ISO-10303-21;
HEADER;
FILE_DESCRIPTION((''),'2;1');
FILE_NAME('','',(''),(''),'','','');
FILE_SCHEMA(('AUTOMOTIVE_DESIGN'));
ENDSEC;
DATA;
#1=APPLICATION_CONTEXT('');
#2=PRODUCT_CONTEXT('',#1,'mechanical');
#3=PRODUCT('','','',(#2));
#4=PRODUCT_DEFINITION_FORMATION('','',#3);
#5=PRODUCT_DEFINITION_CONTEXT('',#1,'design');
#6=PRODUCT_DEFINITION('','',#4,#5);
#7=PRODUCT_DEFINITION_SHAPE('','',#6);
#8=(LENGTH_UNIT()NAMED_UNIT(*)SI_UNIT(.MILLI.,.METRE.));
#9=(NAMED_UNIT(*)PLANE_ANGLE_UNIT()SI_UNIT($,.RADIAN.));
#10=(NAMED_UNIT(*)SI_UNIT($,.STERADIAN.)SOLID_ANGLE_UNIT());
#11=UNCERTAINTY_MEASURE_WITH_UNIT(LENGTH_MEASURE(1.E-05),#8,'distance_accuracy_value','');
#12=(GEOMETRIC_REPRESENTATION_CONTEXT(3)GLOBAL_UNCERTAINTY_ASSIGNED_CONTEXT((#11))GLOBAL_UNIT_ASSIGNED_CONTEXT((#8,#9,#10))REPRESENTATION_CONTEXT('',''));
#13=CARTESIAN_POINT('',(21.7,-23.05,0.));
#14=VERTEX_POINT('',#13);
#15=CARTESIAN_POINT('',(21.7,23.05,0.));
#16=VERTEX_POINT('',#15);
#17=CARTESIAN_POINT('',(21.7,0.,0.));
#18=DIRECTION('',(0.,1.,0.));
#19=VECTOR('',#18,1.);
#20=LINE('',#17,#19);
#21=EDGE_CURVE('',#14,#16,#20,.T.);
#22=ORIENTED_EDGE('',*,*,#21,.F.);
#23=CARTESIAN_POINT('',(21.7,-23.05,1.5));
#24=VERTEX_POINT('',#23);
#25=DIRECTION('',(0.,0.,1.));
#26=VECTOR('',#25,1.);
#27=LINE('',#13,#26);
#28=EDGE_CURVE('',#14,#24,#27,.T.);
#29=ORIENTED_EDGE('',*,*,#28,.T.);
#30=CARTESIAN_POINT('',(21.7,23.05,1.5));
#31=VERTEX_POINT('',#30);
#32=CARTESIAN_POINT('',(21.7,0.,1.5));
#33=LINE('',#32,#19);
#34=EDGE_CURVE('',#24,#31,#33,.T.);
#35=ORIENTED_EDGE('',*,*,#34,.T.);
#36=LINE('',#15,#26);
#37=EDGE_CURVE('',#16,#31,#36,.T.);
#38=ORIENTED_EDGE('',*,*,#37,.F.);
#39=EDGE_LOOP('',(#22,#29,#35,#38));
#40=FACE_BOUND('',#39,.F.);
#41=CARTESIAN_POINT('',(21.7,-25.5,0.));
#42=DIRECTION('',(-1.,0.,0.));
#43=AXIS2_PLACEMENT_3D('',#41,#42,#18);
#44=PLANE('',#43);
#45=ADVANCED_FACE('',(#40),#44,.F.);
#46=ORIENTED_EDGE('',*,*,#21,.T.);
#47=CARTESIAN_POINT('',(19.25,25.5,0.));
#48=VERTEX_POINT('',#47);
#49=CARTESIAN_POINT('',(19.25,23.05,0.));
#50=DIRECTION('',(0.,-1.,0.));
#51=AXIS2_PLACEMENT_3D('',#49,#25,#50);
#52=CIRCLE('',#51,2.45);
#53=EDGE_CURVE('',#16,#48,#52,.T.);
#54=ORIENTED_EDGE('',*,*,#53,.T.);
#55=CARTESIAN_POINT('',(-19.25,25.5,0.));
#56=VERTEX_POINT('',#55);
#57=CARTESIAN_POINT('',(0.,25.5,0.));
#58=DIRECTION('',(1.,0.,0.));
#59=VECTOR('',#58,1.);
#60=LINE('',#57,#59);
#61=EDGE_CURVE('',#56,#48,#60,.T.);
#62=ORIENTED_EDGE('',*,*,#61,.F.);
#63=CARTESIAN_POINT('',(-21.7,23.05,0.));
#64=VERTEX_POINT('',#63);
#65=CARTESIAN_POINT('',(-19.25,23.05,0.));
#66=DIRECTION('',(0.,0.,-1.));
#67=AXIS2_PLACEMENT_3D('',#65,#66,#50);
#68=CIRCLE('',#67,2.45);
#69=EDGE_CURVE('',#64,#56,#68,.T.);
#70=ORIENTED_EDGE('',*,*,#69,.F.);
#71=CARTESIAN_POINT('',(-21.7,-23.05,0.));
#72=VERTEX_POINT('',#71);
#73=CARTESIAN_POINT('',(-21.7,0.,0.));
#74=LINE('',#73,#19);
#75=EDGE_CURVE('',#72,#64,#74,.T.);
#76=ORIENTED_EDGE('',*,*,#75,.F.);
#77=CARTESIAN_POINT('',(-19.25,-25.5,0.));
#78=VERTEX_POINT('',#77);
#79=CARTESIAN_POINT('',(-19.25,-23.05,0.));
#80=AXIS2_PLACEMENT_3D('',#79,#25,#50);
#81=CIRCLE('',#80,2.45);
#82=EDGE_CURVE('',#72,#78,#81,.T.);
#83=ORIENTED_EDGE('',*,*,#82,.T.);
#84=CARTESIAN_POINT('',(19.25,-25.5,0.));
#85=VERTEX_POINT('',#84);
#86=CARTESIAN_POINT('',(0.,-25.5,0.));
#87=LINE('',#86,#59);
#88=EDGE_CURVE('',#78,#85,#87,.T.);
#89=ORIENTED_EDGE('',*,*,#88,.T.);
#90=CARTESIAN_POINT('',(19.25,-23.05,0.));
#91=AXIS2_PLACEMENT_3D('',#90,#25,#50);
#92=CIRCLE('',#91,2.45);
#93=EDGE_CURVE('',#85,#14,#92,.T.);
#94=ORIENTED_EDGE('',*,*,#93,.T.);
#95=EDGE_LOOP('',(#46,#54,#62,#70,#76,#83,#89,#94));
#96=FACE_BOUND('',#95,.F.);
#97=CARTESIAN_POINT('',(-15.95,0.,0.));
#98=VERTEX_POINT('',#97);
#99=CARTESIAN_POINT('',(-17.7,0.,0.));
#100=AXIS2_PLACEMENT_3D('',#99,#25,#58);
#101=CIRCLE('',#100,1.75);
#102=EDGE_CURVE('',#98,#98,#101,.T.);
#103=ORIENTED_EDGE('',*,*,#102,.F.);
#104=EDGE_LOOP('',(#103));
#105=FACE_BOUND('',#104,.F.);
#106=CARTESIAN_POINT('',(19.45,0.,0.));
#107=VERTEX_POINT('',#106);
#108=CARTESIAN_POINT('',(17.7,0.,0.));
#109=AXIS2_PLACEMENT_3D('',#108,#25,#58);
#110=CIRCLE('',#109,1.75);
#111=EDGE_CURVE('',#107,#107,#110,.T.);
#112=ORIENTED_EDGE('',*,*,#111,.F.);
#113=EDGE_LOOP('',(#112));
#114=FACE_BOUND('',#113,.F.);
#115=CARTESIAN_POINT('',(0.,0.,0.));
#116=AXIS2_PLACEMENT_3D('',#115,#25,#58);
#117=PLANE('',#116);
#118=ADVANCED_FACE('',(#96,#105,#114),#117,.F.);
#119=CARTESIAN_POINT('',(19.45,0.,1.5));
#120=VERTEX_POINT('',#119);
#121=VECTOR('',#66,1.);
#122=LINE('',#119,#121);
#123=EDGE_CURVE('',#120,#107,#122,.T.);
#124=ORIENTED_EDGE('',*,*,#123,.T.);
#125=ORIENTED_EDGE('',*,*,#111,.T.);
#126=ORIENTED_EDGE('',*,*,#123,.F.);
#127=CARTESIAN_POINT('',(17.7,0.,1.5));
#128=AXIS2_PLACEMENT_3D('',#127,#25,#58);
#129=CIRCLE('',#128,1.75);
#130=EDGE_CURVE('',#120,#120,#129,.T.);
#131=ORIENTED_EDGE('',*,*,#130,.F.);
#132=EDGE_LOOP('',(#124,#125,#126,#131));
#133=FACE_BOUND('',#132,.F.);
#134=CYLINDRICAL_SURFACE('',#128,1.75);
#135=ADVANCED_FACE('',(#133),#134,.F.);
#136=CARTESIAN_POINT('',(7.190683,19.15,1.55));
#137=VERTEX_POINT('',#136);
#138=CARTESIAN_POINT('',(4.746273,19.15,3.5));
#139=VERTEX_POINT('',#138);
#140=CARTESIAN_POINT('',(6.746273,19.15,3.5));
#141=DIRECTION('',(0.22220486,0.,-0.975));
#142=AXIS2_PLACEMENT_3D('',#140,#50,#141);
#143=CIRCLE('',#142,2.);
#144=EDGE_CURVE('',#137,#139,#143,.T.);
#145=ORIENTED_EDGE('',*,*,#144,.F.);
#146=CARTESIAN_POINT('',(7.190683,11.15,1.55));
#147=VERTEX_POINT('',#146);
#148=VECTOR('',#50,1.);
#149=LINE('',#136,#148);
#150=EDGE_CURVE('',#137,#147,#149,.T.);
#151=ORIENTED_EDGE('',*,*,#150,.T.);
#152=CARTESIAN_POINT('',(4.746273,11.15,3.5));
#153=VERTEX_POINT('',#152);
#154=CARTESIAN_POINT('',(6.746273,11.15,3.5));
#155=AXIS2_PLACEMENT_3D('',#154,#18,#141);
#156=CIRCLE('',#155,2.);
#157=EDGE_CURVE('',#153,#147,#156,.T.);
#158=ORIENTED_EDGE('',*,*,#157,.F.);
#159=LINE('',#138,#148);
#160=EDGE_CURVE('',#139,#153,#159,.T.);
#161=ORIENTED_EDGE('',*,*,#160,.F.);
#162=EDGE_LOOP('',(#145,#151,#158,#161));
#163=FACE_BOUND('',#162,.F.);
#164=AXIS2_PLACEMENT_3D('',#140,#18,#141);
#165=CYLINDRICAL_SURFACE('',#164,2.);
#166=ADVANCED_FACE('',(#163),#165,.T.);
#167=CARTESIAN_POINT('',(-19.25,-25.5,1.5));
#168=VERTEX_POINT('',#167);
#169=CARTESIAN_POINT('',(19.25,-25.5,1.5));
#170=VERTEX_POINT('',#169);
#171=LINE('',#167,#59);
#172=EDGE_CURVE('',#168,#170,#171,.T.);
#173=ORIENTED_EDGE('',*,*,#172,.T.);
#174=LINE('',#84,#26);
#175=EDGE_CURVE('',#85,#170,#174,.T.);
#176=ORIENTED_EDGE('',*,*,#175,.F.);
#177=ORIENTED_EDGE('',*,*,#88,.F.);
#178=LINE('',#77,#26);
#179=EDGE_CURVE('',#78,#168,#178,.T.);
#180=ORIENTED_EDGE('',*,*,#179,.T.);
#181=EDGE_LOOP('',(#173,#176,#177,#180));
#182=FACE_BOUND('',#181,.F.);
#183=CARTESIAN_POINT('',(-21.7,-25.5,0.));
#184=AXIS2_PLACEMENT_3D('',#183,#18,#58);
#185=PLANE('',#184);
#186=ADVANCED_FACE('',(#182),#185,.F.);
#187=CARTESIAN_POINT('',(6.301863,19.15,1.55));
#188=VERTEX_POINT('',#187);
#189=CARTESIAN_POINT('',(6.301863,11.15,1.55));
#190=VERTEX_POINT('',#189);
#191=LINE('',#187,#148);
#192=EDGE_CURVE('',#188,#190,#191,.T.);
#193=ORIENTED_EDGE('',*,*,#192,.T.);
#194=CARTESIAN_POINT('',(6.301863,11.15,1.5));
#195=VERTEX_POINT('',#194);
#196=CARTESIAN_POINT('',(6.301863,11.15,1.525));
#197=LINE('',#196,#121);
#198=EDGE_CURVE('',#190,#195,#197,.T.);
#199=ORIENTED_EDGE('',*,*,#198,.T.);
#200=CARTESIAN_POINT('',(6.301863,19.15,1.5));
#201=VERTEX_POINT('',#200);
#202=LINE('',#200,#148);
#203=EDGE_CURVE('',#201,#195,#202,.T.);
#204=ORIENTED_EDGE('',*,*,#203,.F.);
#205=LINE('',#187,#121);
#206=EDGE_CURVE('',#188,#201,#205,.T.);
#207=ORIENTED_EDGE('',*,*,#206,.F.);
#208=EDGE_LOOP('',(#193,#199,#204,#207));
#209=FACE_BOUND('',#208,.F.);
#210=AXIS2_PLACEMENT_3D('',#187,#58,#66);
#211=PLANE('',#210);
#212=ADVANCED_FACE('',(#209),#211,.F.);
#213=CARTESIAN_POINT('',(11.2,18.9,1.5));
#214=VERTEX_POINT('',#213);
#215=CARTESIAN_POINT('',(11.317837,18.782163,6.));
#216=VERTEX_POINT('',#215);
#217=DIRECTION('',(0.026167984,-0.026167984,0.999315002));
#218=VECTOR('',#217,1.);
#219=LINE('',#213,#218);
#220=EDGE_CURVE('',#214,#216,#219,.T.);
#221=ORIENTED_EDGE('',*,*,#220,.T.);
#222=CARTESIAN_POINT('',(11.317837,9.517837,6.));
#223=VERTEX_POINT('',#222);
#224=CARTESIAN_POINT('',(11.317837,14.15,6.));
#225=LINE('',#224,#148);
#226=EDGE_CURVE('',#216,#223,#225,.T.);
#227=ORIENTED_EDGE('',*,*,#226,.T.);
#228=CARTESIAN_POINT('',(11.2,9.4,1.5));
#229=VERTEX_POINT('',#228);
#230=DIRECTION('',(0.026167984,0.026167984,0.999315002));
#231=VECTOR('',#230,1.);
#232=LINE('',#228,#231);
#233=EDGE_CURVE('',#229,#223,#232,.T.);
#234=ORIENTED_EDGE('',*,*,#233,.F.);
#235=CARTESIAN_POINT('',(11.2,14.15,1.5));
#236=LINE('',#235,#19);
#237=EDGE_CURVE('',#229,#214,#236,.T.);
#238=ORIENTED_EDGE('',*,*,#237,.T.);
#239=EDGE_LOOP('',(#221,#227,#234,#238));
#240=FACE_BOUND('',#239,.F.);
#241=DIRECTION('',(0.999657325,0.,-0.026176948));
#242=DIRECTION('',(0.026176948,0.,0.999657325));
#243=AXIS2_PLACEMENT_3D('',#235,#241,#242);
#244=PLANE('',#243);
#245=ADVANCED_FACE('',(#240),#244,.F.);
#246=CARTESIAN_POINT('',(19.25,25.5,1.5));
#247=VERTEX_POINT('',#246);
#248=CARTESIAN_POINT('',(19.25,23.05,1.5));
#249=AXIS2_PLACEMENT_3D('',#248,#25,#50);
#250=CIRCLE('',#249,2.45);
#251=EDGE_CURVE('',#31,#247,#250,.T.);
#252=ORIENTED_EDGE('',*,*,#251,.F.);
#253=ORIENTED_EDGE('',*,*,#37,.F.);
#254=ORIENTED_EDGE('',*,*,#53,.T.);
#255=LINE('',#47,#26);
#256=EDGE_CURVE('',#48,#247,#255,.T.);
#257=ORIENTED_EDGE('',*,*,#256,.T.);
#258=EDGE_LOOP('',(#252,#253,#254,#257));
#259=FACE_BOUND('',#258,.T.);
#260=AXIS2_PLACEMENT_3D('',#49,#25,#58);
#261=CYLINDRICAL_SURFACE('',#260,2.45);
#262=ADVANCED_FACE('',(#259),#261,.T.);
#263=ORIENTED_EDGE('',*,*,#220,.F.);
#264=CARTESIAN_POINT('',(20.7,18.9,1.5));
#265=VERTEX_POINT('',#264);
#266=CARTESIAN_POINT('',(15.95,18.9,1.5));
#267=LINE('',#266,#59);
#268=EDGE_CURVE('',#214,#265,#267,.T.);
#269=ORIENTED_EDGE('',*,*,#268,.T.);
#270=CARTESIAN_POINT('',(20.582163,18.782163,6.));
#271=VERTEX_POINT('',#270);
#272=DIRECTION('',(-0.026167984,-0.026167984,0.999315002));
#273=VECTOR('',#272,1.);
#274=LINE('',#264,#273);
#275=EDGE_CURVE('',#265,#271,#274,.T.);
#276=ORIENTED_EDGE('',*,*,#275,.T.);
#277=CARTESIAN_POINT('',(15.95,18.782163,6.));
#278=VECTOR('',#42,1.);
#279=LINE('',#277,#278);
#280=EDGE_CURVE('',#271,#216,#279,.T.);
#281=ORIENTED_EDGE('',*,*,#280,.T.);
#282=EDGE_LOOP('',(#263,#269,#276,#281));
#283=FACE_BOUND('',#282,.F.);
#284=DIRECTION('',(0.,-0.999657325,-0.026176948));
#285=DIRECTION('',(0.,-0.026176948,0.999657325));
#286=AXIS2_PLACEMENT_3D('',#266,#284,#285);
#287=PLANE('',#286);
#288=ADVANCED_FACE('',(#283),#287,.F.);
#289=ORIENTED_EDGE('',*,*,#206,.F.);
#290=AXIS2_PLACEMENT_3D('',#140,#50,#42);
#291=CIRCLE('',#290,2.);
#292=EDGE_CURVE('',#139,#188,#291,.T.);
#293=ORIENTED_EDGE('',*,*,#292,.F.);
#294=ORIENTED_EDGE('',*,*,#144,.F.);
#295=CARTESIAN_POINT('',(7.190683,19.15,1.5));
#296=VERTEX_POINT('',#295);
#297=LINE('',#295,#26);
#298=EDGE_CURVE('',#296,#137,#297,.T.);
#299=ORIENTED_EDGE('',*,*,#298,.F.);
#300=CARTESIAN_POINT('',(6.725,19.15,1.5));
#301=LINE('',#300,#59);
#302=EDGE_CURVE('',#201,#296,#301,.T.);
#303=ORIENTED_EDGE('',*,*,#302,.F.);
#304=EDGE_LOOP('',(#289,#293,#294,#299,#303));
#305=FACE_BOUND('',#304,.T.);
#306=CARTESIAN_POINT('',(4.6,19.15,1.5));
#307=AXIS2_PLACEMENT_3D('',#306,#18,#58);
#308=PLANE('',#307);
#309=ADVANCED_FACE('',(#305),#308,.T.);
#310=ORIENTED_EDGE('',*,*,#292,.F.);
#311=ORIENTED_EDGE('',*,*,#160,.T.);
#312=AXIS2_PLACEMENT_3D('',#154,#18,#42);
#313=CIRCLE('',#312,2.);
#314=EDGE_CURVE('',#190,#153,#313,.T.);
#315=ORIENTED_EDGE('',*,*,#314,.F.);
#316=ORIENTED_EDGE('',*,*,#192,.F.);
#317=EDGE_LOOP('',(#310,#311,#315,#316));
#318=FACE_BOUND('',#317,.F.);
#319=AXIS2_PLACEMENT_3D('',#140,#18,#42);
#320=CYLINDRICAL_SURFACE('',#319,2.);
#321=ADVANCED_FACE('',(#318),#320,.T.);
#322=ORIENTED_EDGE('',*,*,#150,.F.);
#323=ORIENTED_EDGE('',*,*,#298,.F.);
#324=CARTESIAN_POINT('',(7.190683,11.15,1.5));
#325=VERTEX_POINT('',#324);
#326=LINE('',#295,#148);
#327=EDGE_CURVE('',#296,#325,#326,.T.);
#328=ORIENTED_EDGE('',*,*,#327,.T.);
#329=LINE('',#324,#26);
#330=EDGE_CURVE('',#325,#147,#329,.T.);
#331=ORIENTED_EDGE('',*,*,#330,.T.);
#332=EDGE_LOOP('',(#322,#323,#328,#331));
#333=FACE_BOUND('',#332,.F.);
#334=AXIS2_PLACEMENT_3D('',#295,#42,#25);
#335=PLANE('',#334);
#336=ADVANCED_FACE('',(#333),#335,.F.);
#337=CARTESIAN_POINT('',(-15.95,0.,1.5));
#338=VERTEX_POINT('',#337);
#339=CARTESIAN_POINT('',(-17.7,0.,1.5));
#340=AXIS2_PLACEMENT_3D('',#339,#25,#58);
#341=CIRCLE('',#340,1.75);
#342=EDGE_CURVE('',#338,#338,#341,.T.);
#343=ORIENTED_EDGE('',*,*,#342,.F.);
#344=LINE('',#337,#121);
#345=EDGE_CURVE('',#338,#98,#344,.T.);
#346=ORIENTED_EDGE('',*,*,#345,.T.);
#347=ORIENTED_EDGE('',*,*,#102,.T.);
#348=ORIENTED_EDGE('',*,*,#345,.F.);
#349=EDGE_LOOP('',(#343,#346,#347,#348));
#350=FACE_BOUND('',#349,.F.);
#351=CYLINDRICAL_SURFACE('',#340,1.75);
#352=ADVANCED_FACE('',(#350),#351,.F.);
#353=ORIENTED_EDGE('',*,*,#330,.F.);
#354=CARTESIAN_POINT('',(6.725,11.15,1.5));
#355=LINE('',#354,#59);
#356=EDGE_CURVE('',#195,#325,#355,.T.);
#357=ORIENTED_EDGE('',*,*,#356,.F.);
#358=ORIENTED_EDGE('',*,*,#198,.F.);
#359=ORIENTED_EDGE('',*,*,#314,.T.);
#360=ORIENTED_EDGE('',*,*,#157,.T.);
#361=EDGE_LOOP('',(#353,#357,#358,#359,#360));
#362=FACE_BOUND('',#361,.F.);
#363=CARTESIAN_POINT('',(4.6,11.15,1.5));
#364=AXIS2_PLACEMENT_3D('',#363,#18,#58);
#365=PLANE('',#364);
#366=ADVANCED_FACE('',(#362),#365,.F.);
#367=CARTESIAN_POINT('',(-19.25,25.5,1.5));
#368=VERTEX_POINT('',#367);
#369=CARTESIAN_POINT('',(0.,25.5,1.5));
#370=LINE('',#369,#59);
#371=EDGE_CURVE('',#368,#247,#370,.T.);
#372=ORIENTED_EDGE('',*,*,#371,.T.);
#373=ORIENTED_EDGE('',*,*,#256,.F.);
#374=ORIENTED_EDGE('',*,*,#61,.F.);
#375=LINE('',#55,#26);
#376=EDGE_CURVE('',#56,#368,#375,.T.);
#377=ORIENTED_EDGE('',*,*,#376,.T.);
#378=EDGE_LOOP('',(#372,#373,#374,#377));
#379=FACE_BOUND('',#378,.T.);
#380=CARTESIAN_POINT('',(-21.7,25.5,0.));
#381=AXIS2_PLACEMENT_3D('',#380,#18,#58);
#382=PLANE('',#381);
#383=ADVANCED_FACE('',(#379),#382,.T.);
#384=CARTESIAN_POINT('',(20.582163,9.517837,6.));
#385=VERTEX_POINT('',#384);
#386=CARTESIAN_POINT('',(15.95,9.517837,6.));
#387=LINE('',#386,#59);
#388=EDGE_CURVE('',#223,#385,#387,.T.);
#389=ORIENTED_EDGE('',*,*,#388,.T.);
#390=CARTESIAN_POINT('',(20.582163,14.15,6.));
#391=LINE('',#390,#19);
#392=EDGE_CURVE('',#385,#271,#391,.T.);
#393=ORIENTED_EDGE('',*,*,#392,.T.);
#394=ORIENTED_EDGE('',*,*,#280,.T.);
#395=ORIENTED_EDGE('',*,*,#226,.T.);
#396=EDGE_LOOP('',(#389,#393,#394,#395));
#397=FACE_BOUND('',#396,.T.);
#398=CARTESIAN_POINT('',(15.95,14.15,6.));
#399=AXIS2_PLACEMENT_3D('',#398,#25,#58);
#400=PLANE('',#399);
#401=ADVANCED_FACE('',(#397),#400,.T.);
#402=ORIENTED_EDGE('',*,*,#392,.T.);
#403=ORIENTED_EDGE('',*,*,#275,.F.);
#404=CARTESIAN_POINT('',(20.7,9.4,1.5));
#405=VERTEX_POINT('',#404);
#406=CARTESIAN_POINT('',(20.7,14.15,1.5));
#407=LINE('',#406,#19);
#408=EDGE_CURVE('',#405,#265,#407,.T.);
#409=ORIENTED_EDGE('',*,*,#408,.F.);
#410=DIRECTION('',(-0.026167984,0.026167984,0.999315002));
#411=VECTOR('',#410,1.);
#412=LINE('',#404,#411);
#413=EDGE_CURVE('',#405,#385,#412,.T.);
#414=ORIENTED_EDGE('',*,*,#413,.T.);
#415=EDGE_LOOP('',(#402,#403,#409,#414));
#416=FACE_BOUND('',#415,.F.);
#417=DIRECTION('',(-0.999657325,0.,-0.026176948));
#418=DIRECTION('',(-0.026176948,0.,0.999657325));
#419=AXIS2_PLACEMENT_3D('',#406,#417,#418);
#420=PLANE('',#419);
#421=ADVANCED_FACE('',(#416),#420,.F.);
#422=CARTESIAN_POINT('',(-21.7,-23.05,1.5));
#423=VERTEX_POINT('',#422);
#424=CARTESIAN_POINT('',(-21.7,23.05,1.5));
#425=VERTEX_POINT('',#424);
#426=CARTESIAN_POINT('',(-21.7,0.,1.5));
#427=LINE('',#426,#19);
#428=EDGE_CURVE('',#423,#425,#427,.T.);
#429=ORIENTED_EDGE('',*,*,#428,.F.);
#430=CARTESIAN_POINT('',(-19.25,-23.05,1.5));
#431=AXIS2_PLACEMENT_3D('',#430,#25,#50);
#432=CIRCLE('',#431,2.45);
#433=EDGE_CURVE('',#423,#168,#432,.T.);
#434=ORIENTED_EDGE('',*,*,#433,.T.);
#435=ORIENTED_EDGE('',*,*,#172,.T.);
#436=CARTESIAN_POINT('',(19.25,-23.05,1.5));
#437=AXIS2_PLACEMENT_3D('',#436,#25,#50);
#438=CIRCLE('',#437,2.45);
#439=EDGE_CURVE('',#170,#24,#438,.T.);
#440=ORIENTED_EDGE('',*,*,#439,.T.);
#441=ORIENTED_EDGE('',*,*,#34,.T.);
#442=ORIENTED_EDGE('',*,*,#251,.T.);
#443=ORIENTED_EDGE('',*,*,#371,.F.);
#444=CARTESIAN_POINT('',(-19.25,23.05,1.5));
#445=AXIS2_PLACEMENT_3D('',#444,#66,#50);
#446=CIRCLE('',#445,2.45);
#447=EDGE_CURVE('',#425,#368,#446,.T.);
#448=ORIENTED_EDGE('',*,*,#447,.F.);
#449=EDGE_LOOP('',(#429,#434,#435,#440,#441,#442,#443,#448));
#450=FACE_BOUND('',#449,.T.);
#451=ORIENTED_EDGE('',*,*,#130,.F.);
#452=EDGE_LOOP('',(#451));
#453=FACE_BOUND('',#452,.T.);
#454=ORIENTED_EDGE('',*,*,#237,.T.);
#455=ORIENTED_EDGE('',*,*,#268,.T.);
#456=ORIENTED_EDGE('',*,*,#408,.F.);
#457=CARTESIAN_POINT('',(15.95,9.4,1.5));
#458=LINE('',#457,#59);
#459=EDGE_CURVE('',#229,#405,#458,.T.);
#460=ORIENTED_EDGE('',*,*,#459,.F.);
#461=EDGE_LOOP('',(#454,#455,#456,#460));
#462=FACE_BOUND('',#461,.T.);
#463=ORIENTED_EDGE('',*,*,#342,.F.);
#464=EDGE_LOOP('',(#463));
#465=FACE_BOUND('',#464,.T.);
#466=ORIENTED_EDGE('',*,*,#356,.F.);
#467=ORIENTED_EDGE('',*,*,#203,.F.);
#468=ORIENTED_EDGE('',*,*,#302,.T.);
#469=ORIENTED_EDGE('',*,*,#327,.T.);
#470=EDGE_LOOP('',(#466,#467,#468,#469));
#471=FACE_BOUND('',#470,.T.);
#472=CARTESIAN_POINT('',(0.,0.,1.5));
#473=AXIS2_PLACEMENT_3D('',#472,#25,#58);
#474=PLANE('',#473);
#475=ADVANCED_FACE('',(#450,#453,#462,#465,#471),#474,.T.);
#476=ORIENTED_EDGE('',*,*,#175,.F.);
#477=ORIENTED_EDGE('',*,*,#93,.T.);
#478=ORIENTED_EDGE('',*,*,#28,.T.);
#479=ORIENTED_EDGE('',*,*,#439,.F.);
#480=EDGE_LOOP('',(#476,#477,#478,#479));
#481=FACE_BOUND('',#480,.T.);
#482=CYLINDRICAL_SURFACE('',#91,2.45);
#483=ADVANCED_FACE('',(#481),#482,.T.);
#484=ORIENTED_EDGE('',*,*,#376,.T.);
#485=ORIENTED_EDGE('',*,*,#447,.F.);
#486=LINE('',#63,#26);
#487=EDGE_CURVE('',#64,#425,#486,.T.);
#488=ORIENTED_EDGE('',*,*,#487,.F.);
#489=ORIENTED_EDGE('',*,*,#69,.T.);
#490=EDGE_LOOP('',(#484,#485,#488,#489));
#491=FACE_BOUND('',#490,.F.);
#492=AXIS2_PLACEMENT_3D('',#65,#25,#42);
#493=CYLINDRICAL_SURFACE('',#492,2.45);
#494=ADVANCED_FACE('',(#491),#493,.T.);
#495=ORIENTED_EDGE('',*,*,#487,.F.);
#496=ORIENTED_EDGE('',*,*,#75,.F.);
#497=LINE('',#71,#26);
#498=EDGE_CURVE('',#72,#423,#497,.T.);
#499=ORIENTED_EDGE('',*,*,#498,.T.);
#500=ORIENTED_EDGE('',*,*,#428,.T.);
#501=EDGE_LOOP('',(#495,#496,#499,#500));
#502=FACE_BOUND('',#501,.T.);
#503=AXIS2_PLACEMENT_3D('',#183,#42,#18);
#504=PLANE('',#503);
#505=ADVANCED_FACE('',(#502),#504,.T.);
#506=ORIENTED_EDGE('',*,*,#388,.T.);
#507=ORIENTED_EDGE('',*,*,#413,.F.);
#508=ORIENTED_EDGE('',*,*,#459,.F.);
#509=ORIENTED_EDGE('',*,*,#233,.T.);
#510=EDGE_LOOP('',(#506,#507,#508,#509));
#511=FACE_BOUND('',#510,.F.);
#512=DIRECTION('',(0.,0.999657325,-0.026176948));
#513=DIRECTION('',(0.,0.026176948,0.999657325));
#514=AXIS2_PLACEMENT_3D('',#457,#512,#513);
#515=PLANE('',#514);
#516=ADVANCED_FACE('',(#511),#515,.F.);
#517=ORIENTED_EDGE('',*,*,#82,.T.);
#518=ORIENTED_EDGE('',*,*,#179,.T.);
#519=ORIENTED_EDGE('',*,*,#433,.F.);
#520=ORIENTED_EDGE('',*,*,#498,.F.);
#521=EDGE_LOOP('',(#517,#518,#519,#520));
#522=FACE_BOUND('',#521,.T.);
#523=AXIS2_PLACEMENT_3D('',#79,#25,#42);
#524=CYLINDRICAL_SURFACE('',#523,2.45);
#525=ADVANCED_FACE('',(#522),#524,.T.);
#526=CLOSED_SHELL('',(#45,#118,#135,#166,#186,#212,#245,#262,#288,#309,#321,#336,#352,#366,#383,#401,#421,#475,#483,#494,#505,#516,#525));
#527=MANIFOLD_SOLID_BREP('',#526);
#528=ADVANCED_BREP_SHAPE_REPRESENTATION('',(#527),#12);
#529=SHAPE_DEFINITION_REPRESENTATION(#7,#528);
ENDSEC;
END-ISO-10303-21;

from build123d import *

# Parameters (mm, degrees)
F0_W      = 43.4
F0_H      = 51
F1_DEPTH  = 1.5
F2_R      = 2.45
F3_R      = 1.75
F4_DEPTH  = 1.501
F5_W      = 9.5
F5_H      = 9.5
F6_DEPTH  = 4.5
F6_TAPER  = 1.5
F7_W      = 7.85
F7_H      = 4.95
F8_DEPTH  = 8.5
F9_W      = 4.25
F9_H      = 8
F10_DEPTH = 4.15
F12_DEPTH = 44.651
F13_DEPTH = 8.5


with BuildPart() as f1:
    # F0 (on Top) → F1 (new body)
    with BuildSketch(Plane.XY):
        Rectangle(F0_W, F0_H)
    extrude(amount=F1_DEPTH)

    # F2
    f2_edges = [f1.edges().sort_by_distance(p)[0] for p in [
        (-21.7, 25.5, 0.75),
        (21.7, 25.5, 0.75),
        (21.7, -25.5, 0.75),
        (-21.7, -25.5, 0.75),
    ]]
    fillet(f2_edges, radius=F2_R)

    # F3 (on face) → F4 (cut, through all)
    with BuildSketch(Plane.XY.offset(1.5)):
        with Locations((-17.7, 0)):
            Circle(F3_R)
        with Locations((17.7, 0)):
            Circle(F3_R)
    extrude(amount=-F4_DEPTH, mode=Mode.SUBTRACT)

    # F5 (on face) → F6 (join)
    with BuildSketch(Plane.XY.offset(1.5)):
        with Locations((15.95, 14.15)):
            Rectangle(F5_W, F5_H)
    extrude(amount=F6_DEPTH, taper=F6_TAPER)

    # F7 (on face) → F8 (join)
    with BuildSketch(Plane.XY.offset(1.5)):
        with Locations((-15.775, -20.075)):
            Rectangle(F7_W, F7_H)
    extrude(amount=F8_DEPTH)

    # F9 (on face) → F10 (join)
    with BuildSketch(Plane.XY.offset(1.5)):
        with Locations((6.725, 15.15)):
            Rectangle(F9_W, F9_H)
    extrude(amount=F10_DEPTH)

    # F11 (on face) → F12 (cut, through all)
    with BuildSketch(Plane(origin=(0, 19.15, 0), x_dir=(-1, 0, 0), z_dir=(0, 1, 0))):
        with BuildLine():
            ThreePointArc((-7.190682743, 1.55), (-7.9935060714, 5.0634608153), (-4.7462730221, 3.5))
            ThreePointArc((-4.7462730221, 3.5), (-5.1828122069, 2.2527669508), (-6.3018633013, 1.55))
            Line((-6.3018633013, 1.55), (-6.3018633013, 1.5))
            Line((-6.3018633013, 1.5), (-4.6, 1.5))
            Line((-4.6, 1.5), (-4.6, 5.65))
            Line((-4.6, 5.65), (-8.85, 5.65))
            Line((-8.85, 5.65), (-8.85, 1.5))
            Line((-8.85, 1.5), (-7.190682743, 1.5))
            Line((-7.190682743, 1.5), (-7.190682743, 1.55))
        make_face()
    extrude(amount=-F12_DEPTH, mode=Mode.SUBTRACT)

    # F13 (cut, through all): a face of the model
    f13_faces = [f1.faces().sort_by_distance(p)[0] for p in [
        (-15.775, -20.075, 10),
    ]]
    extrude(f13_faces, amount=-F13_DEPTH, mode=Mode.SUBTRACT)


solid = f1.part
